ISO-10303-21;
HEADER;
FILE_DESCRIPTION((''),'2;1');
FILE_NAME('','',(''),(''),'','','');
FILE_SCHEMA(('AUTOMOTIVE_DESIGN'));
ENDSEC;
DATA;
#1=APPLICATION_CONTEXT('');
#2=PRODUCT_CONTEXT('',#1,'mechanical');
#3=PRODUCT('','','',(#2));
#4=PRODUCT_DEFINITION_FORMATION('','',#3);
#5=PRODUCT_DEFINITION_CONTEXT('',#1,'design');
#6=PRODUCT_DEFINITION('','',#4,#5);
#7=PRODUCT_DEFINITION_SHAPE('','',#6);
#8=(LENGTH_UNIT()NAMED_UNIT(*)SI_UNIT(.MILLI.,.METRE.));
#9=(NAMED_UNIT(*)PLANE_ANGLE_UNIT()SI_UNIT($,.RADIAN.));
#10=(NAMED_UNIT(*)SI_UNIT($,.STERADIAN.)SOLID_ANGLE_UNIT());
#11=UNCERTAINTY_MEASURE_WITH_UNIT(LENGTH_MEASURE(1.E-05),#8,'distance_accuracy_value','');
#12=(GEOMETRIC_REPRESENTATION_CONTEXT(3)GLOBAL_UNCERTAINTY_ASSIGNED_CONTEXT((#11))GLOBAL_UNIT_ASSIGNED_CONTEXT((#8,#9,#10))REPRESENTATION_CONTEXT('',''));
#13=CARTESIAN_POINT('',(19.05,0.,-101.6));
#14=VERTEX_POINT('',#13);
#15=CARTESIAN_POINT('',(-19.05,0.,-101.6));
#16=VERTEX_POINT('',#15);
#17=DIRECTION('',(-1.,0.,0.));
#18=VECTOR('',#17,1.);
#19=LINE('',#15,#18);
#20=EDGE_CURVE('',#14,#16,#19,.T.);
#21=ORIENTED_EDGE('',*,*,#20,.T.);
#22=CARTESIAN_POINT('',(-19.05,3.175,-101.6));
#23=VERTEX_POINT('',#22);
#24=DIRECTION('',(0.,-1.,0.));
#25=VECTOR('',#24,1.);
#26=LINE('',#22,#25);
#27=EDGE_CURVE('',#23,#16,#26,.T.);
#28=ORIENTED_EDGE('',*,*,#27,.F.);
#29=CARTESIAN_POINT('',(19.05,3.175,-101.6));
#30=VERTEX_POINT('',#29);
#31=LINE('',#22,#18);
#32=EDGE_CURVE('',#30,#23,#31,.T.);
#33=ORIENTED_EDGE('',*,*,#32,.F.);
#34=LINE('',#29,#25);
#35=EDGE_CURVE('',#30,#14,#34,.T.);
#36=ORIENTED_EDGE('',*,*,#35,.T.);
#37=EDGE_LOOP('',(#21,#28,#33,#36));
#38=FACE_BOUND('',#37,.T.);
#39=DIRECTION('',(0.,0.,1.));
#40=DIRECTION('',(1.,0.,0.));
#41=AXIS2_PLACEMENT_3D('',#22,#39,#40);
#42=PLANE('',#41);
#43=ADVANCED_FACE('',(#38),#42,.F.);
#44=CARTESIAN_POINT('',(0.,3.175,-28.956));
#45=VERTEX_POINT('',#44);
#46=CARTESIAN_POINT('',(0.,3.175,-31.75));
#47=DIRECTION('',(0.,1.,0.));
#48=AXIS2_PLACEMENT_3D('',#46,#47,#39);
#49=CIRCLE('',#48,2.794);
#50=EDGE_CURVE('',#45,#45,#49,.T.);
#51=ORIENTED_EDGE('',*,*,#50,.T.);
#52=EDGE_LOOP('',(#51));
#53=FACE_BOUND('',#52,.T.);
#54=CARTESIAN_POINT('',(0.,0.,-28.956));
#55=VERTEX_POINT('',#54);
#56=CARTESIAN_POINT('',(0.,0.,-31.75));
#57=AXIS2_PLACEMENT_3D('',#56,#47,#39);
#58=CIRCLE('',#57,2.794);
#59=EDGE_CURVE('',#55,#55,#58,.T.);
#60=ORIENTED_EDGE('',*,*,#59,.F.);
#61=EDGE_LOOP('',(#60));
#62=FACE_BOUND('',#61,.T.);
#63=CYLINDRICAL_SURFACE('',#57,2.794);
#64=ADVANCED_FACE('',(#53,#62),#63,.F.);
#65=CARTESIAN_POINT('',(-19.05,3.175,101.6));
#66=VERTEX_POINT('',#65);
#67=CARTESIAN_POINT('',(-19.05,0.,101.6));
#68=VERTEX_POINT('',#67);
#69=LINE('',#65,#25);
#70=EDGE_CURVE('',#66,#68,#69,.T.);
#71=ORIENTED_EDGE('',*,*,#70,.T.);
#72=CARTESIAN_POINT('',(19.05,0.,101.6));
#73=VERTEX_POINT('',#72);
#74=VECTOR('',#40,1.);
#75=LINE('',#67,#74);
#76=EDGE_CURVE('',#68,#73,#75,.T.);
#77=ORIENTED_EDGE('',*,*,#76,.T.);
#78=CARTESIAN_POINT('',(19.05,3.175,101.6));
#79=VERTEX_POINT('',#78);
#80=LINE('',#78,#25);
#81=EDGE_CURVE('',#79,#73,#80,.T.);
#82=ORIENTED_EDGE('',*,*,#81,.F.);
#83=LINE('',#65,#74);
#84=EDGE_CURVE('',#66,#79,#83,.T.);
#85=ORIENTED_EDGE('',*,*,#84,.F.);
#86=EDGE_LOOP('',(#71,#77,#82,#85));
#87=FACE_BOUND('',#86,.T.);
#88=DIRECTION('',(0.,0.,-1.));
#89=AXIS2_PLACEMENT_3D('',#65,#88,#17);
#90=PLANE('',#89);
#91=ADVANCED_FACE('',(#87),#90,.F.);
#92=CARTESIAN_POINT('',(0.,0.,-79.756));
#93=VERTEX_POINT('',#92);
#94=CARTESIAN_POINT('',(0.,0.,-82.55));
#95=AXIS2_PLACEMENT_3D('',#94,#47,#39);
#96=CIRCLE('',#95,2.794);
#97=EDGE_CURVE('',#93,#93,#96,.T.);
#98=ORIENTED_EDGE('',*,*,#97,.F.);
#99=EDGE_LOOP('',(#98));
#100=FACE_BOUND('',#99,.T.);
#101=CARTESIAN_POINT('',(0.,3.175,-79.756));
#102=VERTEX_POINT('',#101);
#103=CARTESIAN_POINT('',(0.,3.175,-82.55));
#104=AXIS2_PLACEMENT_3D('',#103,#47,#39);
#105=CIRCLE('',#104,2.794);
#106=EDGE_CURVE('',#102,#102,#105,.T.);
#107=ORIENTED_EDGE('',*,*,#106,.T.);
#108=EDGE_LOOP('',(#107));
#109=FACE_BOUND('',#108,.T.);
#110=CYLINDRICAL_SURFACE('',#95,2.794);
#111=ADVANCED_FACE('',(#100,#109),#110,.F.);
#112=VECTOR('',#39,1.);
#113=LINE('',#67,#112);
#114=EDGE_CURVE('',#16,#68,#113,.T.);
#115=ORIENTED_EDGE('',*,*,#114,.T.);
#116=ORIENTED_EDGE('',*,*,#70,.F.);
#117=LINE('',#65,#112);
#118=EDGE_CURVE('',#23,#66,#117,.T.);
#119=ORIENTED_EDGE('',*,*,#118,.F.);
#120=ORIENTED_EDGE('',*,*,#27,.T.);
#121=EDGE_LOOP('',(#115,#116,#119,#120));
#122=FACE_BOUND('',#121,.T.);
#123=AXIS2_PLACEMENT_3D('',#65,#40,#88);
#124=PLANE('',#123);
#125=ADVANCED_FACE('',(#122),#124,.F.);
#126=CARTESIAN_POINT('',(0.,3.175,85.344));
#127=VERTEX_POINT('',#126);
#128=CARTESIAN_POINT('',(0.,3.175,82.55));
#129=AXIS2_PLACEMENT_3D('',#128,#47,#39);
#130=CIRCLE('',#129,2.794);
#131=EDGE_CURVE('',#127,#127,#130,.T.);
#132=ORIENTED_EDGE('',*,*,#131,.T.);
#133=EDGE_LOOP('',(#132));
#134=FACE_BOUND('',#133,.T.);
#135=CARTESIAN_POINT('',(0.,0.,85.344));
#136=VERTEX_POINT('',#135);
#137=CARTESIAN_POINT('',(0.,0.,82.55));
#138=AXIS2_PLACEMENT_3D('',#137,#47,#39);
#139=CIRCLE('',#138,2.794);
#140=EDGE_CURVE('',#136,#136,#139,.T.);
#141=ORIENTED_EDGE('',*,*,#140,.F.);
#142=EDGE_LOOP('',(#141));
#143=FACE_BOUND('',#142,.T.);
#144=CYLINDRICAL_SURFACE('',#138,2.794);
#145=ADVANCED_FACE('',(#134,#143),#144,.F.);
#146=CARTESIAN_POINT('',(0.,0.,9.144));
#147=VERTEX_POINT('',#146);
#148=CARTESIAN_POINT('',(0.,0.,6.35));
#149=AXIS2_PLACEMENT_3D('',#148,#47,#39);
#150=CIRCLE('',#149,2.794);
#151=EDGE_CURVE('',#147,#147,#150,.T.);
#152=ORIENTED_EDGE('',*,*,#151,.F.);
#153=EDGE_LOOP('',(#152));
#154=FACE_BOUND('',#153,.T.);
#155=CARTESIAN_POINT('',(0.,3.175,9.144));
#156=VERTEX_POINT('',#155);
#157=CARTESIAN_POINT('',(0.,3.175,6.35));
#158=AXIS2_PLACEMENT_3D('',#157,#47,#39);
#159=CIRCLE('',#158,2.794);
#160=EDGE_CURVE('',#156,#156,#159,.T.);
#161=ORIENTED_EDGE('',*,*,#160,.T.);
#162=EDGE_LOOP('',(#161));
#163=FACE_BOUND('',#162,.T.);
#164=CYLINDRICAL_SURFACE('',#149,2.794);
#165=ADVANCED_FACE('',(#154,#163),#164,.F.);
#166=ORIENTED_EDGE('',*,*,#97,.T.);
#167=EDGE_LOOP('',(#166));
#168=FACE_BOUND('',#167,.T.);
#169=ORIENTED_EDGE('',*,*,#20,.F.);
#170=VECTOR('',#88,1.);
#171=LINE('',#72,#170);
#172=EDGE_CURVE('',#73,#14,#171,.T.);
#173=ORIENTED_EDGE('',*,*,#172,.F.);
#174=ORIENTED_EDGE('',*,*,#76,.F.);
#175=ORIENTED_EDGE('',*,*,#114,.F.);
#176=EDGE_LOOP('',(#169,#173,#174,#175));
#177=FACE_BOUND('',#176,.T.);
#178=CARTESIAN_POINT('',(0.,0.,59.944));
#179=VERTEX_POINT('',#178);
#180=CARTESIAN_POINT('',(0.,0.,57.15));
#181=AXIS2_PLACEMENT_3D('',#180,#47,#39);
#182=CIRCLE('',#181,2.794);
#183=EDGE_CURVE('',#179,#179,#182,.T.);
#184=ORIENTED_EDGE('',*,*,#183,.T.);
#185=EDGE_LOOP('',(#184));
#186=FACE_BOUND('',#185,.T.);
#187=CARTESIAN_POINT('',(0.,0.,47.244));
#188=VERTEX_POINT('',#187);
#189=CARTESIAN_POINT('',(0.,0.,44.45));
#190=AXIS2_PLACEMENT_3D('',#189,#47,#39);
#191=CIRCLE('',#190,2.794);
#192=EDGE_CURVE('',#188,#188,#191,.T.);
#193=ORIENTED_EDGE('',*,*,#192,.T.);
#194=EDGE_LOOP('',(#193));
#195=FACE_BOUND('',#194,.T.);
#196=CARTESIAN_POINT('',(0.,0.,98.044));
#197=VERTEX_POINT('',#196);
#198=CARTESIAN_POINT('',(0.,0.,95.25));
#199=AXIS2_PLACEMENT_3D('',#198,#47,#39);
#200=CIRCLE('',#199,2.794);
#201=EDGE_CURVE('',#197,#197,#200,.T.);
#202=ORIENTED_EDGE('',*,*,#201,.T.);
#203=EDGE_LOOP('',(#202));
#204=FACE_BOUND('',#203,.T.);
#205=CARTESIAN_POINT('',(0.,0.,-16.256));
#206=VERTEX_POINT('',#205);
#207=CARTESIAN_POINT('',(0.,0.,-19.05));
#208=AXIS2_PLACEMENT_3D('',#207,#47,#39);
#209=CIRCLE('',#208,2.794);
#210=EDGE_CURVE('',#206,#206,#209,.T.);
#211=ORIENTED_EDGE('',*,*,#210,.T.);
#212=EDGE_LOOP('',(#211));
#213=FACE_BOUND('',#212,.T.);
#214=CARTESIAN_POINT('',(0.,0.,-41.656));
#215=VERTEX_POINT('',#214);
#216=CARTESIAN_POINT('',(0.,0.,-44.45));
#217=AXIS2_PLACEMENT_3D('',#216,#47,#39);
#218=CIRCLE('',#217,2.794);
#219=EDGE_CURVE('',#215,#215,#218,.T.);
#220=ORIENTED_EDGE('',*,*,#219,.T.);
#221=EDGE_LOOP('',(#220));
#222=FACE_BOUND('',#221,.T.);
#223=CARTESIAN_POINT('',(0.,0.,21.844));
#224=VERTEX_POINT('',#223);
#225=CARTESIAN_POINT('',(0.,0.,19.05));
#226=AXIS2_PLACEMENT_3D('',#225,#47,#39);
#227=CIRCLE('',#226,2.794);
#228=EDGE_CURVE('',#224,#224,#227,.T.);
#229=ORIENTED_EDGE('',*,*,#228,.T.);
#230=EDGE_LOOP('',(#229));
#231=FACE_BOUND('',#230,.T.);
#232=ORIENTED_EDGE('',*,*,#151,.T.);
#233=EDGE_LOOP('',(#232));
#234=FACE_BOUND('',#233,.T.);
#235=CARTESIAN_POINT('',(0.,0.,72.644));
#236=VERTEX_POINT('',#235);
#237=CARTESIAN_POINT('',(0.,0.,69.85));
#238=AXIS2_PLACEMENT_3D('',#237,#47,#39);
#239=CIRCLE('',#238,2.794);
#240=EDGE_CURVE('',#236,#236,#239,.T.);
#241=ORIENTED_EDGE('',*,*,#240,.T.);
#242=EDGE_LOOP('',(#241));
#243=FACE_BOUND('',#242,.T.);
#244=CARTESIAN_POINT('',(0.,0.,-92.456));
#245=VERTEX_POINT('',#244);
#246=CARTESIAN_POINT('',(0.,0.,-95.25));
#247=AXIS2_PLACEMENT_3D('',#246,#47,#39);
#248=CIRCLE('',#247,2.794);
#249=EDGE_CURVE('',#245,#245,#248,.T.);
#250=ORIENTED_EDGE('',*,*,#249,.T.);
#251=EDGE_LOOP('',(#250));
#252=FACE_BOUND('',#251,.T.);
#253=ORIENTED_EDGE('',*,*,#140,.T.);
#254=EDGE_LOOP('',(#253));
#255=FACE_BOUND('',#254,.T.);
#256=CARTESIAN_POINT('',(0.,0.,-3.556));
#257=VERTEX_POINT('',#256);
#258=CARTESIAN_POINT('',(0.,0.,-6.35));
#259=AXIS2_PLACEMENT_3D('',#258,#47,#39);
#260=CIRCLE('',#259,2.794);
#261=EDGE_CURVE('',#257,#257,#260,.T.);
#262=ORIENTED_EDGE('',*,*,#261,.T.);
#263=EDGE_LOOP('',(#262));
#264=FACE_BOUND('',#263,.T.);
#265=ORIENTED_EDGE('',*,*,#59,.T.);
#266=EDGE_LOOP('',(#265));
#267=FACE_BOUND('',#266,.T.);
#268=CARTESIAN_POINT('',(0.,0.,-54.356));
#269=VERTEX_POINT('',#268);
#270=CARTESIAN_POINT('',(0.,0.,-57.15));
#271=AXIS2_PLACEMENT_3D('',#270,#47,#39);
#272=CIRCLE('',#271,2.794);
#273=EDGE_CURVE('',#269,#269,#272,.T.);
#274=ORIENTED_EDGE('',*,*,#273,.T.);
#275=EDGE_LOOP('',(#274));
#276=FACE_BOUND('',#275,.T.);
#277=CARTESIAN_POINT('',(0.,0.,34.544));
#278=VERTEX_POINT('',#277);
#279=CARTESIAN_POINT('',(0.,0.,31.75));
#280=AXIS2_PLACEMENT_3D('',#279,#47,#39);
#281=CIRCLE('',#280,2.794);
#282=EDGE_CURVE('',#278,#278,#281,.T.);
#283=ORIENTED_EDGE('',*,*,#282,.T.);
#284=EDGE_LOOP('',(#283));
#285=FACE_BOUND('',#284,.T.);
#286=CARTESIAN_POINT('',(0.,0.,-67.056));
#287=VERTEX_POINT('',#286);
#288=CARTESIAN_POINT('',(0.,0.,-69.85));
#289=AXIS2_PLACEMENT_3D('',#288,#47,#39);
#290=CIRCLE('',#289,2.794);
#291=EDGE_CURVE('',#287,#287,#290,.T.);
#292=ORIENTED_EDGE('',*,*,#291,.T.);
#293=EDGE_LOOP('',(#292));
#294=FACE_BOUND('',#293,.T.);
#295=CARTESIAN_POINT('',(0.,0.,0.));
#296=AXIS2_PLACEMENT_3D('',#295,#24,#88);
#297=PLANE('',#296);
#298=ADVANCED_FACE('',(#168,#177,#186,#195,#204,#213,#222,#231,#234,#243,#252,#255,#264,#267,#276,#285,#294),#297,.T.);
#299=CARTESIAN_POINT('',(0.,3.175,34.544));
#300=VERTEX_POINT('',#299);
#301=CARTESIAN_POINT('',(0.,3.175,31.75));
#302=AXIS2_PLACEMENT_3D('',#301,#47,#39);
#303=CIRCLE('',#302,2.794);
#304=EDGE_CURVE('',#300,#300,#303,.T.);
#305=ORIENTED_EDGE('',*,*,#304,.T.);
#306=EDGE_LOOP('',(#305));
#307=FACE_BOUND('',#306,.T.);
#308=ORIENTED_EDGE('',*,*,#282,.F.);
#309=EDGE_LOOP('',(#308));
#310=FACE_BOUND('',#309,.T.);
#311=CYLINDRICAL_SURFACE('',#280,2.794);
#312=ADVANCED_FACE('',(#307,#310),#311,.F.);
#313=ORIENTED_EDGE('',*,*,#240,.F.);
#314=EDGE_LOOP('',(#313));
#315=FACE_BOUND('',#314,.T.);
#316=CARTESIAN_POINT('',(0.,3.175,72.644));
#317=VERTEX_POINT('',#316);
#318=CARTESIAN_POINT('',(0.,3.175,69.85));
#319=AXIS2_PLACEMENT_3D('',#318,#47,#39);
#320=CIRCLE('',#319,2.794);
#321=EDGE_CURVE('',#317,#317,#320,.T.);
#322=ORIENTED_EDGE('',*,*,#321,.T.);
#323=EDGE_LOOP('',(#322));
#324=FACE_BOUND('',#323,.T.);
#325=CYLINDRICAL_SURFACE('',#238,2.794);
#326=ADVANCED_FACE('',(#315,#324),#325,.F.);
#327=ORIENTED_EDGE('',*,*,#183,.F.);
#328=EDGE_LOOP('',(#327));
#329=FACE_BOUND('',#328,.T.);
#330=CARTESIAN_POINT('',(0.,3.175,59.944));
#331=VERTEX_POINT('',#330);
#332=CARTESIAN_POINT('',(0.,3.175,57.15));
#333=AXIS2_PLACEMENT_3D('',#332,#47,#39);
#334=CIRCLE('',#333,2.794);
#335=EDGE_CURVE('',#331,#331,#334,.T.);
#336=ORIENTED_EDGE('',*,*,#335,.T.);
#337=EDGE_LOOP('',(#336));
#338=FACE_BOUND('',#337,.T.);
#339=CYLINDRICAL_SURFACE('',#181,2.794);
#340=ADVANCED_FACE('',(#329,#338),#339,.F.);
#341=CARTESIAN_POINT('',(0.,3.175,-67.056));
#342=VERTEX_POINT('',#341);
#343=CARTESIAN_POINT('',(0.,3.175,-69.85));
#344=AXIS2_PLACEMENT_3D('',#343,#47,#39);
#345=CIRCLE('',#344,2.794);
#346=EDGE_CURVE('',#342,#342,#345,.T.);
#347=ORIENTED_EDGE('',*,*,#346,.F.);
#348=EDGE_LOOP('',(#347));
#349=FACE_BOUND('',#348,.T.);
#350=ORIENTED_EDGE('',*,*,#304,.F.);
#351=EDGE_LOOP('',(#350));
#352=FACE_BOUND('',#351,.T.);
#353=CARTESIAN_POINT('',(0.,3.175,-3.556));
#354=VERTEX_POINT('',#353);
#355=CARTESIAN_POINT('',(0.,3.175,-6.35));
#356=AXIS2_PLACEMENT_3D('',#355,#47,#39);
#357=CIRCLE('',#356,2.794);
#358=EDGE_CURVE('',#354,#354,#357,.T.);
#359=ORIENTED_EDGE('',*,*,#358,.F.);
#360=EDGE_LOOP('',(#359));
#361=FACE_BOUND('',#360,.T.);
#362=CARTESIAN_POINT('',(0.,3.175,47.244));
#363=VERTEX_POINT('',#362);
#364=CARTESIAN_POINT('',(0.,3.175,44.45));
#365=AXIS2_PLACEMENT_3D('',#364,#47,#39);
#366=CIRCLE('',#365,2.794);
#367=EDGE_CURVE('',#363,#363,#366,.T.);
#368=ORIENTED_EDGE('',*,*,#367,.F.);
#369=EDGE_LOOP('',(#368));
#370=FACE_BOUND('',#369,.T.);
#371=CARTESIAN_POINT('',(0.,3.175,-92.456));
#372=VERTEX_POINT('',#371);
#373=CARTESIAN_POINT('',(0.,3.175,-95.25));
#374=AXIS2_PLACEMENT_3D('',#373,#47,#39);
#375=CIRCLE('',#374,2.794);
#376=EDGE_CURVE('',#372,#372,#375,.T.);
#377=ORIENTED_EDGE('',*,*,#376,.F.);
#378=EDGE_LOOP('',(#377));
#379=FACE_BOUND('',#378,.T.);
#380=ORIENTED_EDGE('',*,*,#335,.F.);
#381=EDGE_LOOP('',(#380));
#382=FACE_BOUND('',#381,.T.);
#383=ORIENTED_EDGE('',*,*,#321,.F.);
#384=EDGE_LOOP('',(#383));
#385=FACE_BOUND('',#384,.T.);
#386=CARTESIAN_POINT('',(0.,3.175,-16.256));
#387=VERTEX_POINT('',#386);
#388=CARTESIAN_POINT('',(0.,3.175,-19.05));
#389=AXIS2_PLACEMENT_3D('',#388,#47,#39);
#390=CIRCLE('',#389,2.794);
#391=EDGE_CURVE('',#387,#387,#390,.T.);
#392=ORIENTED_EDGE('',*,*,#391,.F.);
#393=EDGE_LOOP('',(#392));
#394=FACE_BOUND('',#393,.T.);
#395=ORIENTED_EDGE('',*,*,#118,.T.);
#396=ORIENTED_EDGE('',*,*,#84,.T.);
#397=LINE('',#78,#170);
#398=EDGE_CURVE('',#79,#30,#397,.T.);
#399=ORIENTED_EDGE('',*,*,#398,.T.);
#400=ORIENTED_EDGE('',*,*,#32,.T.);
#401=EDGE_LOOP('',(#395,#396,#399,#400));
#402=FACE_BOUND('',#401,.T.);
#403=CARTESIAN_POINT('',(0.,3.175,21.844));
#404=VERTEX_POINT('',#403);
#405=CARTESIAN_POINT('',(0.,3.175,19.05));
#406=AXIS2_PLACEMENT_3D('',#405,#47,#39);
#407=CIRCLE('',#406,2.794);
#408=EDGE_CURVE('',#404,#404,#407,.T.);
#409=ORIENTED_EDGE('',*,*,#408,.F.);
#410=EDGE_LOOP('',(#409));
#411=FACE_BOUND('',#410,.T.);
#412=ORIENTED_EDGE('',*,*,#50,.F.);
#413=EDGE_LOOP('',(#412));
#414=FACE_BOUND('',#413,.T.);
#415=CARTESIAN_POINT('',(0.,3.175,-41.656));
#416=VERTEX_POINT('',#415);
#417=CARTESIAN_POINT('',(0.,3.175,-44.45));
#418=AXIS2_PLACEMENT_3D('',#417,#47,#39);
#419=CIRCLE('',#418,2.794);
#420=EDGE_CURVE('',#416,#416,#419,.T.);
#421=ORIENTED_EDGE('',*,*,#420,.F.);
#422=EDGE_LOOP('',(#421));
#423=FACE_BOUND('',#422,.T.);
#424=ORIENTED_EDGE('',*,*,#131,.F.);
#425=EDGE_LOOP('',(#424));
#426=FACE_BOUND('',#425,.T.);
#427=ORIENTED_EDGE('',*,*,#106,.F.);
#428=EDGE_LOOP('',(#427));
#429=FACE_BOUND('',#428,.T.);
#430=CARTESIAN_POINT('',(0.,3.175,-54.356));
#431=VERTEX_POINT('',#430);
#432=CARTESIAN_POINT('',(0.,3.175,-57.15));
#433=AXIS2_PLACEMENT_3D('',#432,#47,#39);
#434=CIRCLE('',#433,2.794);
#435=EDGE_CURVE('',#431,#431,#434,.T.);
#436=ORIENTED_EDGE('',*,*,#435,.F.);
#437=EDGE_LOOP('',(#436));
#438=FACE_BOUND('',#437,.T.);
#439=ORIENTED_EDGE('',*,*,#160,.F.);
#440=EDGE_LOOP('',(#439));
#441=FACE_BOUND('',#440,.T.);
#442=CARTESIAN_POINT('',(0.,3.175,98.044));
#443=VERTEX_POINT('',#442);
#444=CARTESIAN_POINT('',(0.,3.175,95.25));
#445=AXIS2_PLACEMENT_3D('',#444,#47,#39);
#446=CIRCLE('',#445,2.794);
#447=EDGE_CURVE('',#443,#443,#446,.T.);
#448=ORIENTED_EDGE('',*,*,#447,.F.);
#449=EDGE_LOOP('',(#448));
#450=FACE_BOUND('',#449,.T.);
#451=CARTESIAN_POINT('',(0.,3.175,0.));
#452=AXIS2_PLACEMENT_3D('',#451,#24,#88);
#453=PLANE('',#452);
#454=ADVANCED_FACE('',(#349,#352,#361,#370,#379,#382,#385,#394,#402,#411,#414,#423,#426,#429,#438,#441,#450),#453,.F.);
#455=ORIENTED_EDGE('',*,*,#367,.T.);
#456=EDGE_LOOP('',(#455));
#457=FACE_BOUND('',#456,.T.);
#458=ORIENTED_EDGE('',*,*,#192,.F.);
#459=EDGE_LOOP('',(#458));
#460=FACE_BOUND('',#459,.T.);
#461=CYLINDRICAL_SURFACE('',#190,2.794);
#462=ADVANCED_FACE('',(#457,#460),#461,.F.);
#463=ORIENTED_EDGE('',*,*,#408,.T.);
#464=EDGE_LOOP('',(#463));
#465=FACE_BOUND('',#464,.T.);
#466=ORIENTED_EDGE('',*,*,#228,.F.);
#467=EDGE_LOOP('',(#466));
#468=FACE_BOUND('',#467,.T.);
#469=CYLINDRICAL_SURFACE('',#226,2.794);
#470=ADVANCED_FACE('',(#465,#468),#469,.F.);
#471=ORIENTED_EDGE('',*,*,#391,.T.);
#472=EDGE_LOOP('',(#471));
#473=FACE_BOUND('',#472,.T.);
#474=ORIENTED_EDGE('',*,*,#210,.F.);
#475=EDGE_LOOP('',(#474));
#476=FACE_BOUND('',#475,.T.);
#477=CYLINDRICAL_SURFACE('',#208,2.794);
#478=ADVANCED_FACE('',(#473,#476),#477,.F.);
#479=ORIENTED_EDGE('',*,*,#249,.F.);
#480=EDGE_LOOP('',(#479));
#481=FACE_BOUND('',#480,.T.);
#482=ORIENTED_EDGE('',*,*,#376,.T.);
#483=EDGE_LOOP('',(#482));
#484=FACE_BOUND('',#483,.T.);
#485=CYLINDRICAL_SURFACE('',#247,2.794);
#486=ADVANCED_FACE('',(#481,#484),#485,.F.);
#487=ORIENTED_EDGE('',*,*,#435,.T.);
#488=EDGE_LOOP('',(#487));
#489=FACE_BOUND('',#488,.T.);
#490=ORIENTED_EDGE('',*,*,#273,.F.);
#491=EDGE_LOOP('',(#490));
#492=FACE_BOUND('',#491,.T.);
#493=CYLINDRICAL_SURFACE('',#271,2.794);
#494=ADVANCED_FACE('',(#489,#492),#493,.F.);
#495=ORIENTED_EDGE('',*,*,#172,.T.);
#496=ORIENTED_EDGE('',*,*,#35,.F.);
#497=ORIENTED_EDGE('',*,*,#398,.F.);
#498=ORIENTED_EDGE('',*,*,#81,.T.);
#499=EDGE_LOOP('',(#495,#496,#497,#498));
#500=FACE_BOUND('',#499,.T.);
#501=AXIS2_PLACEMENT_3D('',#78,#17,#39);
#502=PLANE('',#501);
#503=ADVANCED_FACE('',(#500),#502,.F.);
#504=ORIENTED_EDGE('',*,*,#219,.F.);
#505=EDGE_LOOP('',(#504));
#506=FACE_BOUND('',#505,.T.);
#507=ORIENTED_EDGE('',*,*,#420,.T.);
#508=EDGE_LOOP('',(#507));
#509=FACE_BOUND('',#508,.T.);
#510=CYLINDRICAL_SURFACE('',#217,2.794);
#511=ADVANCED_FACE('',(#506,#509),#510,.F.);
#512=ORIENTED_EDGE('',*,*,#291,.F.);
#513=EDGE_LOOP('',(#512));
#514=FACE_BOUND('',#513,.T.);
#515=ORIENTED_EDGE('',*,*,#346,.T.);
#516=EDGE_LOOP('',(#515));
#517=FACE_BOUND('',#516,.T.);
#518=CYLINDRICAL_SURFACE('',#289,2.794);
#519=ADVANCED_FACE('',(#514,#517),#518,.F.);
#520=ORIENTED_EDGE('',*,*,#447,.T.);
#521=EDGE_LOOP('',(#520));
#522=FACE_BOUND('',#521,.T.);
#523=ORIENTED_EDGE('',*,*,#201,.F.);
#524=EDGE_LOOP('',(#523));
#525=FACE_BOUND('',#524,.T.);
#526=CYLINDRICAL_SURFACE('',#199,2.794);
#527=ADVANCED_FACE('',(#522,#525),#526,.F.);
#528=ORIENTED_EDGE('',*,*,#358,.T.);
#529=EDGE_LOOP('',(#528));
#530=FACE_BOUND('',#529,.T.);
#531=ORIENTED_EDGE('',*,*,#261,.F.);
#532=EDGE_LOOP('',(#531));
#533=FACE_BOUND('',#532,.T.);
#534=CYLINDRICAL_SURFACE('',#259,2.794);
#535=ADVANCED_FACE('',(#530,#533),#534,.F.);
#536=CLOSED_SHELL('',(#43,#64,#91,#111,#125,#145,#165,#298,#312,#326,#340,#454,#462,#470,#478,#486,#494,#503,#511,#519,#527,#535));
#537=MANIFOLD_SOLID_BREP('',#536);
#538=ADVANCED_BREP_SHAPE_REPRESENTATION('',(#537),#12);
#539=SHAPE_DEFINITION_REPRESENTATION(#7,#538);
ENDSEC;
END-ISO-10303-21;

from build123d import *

# Parameters (mm, degrees)
SKETCH2_W           = 38.1
SKETCH2_H           = 203.2
BOSS_EXTRUDE1_DEPTH = 3.175
SKETCH3_R           = 2.794
CUT_EXTRUDE1_DEPTH  = 3.175
LPATTERN1_COUNT     = 16
LPATTERN1_PITCH     = 12.7


with BuildPart() as part:
    # Sketch2 → Boss-Extrude1 (new body)
    with BuildSketch(Plane(origin=(0, 0, 0), x_dir=(1, 0, 0), z_dir=(0, 1, 0))):
        Rectangle(SKETCH2_W, SKETCH2_H)
    extrude(amount=BOSS_EXTRUDE1_DEPTH)

    # Sketch3 → Cut-Extrude1 (cut)
    with BuildSketch(Plane(origin=(0, 3.175, 0), x_dir=(1, 0, 0), z_dir=(0, 1, 0))):
        with Locations(Location((0, -95.25, 0), (0, 0, 270))):
            Circle(SKETCH3_R)
    cut_extrude1 = extrude(amount=-CUT_EXTRUDE1_DEPTH, mode=Mode.SUBTRACT)

    # LPattern1: Cut-Extrude1 ×16
    with Locations(*[(0, 0, -i * LPATTERN1_PITCH) for i in range(1, LPATTERN1_COUNT)]):
        add(cut_extrude1, mode=Mode.SUBTRACT)


solid = part.part
